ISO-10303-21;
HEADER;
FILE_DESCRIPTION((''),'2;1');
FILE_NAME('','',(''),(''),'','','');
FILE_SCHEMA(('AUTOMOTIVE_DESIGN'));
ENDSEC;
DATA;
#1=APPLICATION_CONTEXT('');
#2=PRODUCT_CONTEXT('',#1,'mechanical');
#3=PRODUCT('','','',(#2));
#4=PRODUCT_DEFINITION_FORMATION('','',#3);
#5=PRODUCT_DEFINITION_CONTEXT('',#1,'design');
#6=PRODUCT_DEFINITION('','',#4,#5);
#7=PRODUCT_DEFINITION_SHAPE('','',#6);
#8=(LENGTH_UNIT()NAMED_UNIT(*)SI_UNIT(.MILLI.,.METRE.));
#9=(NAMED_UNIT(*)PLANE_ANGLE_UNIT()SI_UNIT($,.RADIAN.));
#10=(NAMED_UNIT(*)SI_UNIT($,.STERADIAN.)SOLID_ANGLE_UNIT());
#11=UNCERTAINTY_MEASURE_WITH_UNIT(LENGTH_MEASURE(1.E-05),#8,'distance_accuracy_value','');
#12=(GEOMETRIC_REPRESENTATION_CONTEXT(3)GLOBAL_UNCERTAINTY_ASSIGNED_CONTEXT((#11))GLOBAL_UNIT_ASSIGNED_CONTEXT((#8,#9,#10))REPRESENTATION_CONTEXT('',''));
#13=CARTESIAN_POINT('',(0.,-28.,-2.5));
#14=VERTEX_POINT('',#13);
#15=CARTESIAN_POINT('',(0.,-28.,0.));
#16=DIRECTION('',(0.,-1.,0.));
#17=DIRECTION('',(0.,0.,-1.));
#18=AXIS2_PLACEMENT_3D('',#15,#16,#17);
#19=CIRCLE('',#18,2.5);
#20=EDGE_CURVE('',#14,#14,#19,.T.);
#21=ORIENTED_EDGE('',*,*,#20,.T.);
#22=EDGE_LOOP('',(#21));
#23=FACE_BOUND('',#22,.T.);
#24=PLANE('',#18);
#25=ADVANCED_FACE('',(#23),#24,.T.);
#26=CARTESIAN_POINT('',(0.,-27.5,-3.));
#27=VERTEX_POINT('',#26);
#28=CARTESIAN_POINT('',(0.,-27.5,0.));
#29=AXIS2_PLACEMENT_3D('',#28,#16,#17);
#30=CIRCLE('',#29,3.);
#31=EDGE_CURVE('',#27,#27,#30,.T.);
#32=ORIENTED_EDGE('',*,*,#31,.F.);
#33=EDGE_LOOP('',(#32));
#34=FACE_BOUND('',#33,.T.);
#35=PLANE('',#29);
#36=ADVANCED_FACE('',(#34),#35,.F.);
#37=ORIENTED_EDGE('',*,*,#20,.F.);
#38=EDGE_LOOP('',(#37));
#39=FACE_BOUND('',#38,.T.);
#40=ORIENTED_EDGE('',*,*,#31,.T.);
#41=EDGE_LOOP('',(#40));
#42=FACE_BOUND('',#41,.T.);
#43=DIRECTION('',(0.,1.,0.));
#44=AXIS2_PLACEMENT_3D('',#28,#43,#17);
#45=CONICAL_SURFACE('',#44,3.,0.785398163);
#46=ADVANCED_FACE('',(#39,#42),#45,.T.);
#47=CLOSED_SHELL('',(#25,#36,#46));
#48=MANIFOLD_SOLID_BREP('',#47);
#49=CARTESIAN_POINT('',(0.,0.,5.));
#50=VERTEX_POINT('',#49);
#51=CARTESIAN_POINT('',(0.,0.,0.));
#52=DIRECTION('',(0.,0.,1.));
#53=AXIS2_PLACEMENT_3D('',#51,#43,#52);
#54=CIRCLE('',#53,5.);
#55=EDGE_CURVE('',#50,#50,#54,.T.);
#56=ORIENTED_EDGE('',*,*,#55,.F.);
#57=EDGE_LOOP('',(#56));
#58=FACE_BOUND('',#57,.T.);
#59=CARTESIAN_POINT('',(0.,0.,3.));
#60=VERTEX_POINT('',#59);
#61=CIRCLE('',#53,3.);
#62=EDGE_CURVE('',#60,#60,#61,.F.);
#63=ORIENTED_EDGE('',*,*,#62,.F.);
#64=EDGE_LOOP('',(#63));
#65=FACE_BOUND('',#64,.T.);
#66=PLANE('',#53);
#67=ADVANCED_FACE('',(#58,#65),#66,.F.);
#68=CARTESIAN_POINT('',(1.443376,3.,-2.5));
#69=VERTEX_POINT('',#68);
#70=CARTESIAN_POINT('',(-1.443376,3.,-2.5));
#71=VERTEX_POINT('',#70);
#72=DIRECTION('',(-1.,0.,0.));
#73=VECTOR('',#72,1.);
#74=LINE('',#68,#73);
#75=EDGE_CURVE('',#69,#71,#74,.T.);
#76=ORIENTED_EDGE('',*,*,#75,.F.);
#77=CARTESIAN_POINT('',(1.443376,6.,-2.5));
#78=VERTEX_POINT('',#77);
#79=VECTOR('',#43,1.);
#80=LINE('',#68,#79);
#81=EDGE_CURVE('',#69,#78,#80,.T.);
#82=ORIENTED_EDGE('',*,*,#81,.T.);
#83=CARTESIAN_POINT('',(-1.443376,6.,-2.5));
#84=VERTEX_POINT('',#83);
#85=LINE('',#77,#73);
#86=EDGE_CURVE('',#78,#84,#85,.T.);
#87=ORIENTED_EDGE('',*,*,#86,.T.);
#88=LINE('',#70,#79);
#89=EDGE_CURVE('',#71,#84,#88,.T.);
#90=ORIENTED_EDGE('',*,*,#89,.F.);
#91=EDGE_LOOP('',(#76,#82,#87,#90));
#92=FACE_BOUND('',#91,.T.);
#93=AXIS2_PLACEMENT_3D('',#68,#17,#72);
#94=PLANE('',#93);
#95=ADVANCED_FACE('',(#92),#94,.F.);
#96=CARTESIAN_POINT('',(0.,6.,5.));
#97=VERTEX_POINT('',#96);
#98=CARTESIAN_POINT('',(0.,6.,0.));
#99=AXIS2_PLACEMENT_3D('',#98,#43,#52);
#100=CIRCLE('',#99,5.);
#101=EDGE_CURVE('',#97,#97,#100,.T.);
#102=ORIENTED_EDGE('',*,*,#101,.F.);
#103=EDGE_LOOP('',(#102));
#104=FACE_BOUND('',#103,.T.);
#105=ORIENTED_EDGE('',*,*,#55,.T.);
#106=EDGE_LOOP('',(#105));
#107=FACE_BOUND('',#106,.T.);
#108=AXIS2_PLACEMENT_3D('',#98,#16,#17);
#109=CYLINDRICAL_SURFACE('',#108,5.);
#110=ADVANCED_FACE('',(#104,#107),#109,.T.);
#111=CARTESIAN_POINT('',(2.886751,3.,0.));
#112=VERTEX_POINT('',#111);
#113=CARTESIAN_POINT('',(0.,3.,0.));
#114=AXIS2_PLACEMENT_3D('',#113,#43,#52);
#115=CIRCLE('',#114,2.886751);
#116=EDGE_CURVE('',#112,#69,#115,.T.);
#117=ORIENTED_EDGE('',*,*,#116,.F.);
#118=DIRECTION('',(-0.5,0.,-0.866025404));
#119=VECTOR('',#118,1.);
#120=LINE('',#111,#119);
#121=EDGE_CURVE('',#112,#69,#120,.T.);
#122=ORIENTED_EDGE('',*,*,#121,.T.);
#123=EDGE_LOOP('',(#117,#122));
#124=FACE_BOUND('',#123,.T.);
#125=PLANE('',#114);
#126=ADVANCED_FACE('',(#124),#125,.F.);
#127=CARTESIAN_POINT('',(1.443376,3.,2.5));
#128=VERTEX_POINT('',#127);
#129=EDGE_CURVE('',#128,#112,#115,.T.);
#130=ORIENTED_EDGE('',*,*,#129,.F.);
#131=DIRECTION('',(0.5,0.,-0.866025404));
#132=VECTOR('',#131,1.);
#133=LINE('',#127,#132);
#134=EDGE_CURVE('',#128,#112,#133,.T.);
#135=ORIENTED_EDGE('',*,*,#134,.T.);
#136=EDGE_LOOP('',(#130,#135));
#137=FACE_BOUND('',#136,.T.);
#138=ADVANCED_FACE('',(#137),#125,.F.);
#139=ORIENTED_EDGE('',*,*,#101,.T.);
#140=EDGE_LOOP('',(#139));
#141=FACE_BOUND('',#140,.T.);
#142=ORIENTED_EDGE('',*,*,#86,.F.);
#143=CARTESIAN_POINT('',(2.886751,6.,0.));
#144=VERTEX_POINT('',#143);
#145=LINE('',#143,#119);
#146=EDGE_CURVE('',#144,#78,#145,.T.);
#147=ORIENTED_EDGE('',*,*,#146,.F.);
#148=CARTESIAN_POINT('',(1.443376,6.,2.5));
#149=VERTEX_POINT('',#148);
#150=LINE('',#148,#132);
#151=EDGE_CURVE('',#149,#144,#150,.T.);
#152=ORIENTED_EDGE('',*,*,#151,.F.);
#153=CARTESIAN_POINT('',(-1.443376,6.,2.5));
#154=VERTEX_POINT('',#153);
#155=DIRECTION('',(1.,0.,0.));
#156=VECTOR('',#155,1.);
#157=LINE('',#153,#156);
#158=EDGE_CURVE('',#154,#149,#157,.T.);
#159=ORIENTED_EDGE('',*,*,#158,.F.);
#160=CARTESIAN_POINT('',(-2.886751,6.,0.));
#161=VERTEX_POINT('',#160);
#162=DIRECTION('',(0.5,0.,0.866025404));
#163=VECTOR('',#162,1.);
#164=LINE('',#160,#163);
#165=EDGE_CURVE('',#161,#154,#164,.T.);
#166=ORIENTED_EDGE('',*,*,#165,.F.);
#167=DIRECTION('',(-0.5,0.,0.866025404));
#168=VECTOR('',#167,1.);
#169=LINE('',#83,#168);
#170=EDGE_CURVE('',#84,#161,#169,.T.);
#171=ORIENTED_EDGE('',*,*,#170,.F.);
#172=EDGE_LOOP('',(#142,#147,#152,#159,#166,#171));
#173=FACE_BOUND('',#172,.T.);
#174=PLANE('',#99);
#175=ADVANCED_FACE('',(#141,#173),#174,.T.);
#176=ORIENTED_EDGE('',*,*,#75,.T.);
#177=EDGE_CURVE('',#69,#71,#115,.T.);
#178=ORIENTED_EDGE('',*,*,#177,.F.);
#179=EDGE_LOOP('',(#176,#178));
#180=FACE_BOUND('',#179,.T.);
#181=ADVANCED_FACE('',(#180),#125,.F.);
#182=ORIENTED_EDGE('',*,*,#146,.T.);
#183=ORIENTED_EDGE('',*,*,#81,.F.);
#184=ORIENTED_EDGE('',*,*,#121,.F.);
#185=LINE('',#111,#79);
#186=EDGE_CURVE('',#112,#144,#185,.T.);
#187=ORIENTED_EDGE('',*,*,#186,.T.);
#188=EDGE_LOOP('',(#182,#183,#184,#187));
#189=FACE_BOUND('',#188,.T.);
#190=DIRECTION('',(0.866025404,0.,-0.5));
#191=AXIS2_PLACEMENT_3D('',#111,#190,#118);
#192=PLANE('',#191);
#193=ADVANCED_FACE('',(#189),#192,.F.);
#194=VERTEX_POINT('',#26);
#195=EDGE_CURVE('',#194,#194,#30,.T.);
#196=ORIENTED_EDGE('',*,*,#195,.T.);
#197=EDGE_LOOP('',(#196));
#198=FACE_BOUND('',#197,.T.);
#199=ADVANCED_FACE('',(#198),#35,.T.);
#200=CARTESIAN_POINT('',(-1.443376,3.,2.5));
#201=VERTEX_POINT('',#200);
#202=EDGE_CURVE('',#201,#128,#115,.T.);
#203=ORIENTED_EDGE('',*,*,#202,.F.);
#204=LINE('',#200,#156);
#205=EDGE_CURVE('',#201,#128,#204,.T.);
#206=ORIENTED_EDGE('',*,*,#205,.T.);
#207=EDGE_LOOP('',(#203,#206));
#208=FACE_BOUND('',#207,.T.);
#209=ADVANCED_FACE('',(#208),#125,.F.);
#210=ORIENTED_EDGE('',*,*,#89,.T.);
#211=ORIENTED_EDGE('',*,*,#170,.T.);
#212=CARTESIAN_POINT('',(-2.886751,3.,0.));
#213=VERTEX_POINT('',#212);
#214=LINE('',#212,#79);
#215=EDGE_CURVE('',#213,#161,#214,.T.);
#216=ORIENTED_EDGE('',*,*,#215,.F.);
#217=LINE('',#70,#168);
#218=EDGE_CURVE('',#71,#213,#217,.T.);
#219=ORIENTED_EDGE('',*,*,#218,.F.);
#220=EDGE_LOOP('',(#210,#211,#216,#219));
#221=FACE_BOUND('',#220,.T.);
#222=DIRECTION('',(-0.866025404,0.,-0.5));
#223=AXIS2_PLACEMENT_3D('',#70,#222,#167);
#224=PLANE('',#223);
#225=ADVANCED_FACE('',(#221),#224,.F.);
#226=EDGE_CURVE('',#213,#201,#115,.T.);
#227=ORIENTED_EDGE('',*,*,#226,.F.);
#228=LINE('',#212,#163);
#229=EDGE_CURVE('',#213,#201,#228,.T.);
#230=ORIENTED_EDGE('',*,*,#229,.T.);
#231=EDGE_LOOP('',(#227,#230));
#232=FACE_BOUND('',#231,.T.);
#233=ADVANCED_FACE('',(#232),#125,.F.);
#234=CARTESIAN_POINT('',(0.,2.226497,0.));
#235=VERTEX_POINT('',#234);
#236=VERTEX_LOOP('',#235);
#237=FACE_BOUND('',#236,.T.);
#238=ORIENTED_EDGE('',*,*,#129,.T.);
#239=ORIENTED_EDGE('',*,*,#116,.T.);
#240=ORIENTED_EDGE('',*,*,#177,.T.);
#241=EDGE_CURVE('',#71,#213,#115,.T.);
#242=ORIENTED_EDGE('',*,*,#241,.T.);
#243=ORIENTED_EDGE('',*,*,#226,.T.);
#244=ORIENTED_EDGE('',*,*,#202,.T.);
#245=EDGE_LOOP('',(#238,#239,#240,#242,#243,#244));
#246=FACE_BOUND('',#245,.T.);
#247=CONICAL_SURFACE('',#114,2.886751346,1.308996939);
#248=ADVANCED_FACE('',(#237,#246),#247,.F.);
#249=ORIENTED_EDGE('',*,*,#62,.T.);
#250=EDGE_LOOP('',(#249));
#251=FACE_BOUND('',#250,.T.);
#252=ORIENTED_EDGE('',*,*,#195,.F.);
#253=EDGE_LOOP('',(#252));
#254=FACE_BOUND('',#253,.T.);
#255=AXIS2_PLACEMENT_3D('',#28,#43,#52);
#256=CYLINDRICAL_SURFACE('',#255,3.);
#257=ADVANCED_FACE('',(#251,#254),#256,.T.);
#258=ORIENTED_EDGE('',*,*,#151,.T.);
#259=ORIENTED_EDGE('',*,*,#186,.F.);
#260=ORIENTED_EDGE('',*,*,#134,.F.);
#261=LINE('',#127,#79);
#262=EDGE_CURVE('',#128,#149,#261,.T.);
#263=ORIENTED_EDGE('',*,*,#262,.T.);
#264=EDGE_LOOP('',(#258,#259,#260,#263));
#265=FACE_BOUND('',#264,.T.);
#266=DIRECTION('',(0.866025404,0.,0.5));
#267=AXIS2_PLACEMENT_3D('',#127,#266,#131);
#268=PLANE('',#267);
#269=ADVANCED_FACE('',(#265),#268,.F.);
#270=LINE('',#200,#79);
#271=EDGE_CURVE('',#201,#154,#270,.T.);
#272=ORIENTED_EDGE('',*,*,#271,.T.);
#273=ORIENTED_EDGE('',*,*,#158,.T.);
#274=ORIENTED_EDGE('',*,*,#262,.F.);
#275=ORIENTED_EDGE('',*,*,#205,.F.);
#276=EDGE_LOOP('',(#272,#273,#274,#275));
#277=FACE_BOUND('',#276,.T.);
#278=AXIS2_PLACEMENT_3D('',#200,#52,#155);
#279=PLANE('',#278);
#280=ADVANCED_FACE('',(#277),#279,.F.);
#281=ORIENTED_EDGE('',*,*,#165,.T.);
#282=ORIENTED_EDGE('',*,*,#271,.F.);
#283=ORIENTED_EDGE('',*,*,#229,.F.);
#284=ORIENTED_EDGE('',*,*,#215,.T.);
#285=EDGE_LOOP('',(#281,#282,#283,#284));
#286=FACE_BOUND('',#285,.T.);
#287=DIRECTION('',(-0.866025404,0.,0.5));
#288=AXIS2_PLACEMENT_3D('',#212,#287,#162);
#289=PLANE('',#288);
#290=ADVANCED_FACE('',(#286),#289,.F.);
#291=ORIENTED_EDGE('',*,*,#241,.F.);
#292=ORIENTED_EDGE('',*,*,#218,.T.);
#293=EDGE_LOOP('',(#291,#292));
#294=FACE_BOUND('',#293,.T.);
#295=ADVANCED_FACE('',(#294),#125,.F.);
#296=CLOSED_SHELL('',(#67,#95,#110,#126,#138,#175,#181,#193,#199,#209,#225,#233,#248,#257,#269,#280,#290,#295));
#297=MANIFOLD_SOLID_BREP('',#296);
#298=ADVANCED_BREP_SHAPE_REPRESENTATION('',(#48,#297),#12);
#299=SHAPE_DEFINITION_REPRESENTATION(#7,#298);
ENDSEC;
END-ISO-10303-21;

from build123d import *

# Parameters (mm, degrees)
SKETCH1_R           = 5
BOSS_EXTRUDE1_DEPTH = 6
CUT_EXTRUDE1_DEPTH  = 3
SKETCH4_R           = 3
BOSS_EXTRUDE2_DEPTH = 27.5
SKETCH5_R           = 3
BOSS_EXTRUDE3_DEPTH = 0.5
BOSS_EXTRUDE3_TAPER = 45


with BuildPart() as part:
    # Sketch1 → Boss-Extrude1 (new body)
    with BuildSketch(Plane(origin=(0, 0, 0), x_dir=(1, 0, 0), z_dir=(0, 1, 0))):
        with Locations(Location((0, 0, 0), (0, 0, 270))):
            Circle(SKETCH1_R)
    extrude(amount=BOSS_EXTRUDE1_DEPTH)

    # Sketch2 → Cut-Extrude1 (cut)
    with BuildSketch(Plane(origin=(0, 6, 0), x_dir=(1, 0, 0), z_dir=(0, 1, 0))):
        Polygon((2.886751346, 0), (1.443375673, 2.5), (-1.443375673, 2.5), (-2.886751346, 0), (-1.443375673, -2.5), (1.443375673, -2.5), align=None)
    extrude(amount=-CUT_EXTRUDE1_DEPTH, mode=Mode.SUBTRACT)

    # Cut-Extrude5 cone 1 section (through the dimple's axis) → Cut-Extrude5 (revolve, cut)
    with BuildSketch(Plane(origin=(0, 3, 0), x_dir=(0, 0, 1), z_dir=(1, 0, 0))):
        Polygon((0, 0), (2.886751346, 0), (0, 0.773502692), align=None)
    revolve(axis=Axis((0, 3, 0), (0, -1, 0)), mode=Mode.SUBTRACT)

    # Sketch4 → Boss-Extrude2 (add)
    with BuildSketch(Plane.XZ):
        with Locations(Location((0, 0, 0), (0, 0, 90))):
            Circle(SKETCH4_R)
    extrude(amount=BOSS_EXTRUDE2_DEPTH)


with BuildPart() as body_2:
    # Sketch5 → Boss-Extrude3 (new body)
    with BuildSketch(Plane.XZ.offset(27.5)):
        with Locations(Location((0, 0, 0), (0, 0, 90))):
            Circle(SKETCH5_R)
    extrude(amount=BOSS_EXTRUDE3_DEPTH, taper=BOSS_EXTRUDE3_TAPER)


solid = Compound([part.part, body_2.part])
